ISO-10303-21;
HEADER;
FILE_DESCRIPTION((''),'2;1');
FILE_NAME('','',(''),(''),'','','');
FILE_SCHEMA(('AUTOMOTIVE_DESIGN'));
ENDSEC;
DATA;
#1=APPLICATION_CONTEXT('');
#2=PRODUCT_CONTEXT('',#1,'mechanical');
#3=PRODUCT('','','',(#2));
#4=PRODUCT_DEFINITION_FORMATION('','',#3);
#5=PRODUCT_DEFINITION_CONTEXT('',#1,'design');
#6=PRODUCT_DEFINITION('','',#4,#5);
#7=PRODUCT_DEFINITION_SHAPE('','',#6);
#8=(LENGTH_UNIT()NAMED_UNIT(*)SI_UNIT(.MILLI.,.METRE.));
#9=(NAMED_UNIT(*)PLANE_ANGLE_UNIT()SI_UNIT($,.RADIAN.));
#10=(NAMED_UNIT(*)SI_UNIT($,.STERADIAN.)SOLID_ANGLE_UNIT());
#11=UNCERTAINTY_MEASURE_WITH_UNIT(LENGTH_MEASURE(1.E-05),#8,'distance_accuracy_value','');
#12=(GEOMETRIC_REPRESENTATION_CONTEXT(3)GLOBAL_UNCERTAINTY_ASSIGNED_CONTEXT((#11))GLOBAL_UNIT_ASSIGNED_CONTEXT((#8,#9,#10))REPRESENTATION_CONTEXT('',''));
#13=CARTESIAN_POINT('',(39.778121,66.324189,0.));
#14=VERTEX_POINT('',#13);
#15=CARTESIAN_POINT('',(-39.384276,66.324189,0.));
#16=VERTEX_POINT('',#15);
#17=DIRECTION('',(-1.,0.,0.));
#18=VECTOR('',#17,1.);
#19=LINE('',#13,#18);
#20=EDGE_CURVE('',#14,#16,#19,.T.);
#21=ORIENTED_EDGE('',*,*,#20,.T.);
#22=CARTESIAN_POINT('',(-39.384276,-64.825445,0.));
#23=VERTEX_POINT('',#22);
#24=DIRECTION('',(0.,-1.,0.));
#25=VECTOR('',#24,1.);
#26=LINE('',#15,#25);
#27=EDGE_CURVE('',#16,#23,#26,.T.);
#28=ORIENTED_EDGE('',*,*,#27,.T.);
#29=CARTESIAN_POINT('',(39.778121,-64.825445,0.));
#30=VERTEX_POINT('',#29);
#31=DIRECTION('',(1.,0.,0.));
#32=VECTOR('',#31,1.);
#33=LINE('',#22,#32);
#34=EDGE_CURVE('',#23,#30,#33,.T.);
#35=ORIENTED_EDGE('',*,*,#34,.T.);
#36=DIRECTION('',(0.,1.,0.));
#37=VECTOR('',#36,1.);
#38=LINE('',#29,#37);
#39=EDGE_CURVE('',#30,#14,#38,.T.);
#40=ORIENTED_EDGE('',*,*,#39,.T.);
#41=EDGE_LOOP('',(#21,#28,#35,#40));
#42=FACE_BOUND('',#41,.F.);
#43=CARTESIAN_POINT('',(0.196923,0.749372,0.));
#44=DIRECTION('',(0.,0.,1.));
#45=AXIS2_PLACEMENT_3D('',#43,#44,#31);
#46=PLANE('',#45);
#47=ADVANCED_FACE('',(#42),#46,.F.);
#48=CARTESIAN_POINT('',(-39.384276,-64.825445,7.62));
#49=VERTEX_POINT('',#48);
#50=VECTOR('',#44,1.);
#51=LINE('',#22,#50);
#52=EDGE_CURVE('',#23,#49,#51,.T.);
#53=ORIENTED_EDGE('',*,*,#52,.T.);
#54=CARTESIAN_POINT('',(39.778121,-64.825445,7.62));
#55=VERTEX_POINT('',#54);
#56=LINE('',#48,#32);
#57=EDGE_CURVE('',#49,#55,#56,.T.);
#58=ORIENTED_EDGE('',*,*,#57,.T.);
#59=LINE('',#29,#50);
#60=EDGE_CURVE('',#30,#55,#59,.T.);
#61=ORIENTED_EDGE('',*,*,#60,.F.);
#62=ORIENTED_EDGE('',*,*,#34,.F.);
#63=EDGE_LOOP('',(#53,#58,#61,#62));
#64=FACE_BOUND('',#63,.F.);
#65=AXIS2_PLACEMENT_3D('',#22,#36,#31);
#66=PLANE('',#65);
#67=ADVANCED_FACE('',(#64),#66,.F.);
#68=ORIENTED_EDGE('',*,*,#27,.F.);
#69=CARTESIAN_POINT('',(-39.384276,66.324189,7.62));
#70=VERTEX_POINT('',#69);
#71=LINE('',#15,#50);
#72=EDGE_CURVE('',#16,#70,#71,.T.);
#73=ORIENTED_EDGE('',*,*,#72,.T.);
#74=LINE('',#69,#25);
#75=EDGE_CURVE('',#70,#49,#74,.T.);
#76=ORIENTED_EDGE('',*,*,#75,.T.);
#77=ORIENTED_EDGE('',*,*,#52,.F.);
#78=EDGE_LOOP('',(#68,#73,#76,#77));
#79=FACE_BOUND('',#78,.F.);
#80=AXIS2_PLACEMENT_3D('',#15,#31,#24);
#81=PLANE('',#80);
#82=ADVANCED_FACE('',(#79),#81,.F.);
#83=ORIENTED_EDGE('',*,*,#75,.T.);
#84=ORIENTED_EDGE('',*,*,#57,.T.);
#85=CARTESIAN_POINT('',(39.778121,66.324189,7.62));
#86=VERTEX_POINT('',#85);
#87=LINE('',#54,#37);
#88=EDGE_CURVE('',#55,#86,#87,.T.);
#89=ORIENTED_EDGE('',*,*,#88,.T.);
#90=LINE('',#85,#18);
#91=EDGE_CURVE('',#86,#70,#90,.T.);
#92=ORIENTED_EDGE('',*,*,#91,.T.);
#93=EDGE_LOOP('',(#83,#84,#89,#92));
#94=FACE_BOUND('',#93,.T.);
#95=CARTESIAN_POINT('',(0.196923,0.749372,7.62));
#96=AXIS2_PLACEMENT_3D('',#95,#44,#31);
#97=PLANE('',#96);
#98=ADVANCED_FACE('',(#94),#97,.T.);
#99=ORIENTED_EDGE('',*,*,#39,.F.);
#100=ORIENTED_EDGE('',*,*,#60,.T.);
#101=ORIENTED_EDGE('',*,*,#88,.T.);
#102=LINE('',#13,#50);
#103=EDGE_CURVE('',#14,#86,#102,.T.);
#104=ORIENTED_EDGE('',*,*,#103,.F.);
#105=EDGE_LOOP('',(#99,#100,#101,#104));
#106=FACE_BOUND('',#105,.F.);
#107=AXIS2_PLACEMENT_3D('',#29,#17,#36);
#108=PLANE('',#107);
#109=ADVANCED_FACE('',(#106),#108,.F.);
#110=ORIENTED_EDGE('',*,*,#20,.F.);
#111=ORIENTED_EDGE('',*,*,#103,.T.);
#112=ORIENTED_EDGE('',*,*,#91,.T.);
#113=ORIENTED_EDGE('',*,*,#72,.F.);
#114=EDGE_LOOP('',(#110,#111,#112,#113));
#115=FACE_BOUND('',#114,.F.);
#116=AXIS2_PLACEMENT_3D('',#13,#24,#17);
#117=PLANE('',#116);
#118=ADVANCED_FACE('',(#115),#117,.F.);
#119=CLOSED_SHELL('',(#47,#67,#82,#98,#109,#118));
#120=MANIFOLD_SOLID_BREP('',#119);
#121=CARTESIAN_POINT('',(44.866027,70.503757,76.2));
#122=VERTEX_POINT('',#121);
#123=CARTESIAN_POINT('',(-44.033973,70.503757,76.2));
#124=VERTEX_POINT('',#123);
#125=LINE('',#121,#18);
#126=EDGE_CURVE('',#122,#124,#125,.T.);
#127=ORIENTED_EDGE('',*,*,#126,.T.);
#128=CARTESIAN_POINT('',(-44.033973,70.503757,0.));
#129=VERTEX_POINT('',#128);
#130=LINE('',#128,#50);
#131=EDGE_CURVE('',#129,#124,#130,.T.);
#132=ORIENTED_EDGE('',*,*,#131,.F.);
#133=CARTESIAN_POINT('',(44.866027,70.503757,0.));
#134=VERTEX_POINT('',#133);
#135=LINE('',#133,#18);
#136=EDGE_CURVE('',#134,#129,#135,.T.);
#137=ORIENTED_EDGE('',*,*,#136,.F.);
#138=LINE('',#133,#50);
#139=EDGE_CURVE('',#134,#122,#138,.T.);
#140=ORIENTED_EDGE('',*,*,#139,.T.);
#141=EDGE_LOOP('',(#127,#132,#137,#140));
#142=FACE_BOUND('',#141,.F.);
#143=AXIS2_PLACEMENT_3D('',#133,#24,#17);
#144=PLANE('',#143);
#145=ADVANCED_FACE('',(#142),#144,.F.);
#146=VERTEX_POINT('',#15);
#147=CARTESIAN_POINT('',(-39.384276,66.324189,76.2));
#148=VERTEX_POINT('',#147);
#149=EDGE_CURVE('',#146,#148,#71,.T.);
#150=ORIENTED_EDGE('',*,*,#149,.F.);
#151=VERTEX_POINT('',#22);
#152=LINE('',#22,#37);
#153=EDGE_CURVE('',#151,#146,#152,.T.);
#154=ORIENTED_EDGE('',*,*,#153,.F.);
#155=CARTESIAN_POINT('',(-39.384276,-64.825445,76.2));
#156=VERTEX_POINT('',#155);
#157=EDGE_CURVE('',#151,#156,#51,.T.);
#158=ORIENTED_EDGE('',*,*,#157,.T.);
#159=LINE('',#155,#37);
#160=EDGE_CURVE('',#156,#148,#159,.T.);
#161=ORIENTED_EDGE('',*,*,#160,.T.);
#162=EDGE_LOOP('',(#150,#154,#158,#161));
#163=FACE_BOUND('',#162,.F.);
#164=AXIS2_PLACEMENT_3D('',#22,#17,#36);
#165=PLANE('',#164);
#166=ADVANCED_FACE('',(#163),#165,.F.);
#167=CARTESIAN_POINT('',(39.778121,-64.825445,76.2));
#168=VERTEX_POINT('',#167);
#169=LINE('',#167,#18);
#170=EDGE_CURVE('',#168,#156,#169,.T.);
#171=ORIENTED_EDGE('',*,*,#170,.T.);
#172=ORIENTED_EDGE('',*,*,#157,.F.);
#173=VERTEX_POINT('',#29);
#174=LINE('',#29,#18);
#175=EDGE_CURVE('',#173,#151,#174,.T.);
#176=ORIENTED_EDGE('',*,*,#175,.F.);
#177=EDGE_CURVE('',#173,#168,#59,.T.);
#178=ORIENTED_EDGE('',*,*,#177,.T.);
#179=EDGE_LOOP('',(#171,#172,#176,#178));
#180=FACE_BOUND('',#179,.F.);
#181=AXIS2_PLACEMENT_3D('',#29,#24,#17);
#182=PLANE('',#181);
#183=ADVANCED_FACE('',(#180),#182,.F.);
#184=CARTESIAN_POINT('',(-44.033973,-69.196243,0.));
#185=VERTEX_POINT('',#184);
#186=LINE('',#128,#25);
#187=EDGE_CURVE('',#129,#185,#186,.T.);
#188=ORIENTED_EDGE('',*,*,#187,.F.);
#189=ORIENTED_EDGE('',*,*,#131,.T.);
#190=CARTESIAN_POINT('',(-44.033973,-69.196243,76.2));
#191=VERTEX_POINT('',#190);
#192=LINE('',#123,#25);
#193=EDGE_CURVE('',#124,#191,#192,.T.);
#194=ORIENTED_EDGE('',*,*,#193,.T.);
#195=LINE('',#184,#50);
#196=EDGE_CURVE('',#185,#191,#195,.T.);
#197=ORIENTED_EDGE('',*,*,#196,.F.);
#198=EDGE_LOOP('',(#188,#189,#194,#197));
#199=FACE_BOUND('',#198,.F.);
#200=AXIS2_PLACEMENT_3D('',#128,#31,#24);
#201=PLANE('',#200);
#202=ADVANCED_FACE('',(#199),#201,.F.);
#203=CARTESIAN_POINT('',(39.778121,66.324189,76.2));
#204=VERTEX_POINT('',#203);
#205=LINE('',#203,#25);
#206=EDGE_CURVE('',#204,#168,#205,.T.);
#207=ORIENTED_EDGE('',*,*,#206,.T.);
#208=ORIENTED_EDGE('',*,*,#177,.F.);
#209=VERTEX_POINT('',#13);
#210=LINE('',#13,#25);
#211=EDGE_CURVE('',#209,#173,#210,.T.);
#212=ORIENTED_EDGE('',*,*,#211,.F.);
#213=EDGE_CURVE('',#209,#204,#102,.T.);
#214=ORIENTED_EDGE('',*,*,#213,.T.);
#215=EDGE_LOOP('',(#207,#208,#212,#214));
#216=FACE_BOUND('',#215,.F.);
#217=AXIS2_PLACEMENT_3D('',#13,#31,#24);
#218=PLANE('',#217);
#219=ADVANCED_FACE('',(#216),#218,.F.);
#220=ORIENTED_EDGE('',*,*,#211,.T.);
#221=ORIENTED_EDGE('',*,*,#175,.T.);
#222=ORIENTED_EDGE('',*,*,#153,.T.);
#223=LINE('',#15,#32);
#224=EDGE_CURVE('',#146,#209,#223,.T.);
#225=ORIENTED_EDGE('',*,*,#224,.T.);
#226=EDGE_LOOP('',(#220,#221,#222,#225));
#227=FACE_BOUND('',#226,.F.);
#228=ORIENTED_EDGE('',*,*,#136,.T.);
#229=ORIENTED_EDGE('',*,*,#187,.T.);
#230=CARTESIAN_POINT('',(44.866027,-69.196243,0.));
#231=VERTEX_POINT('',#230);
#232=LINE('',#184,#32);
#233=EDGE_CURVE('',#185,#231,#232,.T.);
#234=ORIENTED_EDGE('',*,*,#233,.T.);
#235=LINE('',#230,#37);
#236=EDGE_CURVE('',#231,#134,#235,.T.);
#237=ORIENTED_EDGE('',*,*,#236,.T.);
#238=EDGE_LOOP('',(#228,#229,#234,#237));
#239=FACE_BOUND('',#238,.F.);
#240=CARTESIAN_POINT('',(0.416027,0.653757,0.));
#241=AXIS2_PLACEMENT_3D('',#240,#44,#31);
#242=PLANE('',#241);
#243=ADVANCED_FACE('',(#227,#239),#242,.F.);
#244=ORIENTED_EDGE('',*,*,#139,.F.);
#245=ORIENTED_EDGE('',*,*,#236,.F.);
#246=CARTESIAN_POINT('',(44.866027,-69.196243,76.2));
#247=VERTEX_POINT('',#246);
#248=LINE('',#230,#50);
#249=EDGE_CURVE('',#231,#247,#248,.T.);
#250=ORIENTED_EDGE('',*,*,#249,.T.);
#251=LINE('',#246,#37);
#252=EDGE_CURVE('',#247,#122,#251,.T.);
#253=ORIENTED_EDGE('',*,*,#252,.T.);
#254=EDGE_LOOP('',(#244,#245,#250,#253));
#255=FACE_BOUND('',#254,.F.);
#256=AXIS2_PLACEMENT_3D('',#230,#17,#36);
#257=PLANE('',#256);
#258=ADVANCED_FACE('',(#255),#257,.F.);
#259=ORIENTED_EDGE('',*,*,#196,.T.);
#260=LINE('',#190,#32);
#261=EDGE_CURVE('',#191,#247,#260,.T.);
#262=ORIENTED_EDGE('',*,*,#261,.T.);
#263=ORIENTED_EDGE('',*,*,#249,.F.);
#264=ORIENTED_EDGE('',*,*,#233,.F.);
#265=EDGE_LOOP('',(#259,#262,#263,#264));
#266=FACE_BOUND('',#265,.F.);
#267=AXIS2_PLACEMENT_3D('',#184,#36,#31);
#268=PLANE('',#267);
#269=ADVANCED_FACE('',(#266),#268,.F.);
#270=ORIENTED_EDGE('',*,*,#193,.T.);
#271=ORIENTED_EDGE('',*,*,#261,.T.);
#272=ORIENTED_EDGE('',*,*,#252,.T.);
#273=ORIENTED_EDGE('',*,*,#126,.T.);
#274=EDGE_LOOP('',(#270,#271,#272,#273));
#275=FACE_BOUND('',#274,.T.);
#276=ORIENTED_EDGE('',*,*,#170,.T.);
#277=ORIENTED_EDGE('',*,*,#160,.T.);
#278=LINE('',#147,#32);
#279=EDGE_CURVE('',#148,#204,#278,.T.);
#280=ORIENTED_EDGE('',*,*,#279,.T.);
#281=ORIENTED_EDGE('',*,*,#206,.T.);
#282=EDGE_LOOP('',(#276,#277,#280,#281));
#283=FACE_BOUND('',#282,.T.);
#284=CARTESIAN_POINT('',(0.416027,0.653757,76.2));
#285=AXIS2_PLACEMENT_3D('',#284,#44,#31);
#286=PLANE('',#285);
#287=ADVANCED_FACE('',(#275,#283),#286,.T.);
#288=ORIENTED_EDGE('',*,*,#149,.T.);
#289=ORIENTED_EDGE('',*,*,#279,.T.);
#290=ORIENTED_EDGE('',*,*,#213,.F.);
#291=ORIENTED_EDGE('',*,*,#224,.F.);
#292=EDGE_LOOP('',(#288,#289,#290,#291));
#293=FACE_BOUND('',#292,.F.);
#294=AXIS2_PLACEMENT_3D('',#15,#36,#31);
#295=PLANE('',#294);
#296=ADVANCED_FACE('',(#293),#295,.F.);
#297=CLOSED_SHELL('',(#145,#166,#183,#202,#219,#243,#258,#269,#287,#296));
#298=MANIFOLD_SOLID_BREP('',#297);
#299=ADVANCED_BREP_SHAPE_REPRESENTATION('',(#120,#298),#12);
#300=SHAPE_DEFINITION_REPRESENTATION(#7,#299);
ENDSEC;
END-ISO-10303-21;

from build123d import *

# Parameters (mm, degrees)
F1_DEPTH = 7.62
F2_DEPTH = 76.2


with BuildPart() as f1:
    # F0 (on Top) → F1 (new body)
    with BuildSketch(Plane.XY):
        Polygon((39.778121, 66.324189), (0.416027, 66.324189), (-39.384276, 66.324189), (-39.384276, -64.825445), (39.778121, -64.825445), align=None)
    extrude(amount=F1_DEPTH)


with BuildPart() as f2:
    # F0 (on Top) → F2 (new body)
    with BuildSketch(Plane.XY):
        Polygon((44.866027, 70.503757), (0, 70.503757), (-44.033973, 70.503757), (-44.033973, 0), (-44.033973, -69.196243), (0, -69.196243), (44.866027, -69.196243), (44.866027, 0), align=None)
        Polygon((-39.384276, 66.324189), (0.416027, 66.324189), (39.778121, 66.324189), (39.778121, -64.825445), (-39.384276, -64.825445), align=None, mode=Mode.SUBTRACT)
    extrude(amount=F2_DEPTH)


solid = Compound([f1.part, f2.part])
